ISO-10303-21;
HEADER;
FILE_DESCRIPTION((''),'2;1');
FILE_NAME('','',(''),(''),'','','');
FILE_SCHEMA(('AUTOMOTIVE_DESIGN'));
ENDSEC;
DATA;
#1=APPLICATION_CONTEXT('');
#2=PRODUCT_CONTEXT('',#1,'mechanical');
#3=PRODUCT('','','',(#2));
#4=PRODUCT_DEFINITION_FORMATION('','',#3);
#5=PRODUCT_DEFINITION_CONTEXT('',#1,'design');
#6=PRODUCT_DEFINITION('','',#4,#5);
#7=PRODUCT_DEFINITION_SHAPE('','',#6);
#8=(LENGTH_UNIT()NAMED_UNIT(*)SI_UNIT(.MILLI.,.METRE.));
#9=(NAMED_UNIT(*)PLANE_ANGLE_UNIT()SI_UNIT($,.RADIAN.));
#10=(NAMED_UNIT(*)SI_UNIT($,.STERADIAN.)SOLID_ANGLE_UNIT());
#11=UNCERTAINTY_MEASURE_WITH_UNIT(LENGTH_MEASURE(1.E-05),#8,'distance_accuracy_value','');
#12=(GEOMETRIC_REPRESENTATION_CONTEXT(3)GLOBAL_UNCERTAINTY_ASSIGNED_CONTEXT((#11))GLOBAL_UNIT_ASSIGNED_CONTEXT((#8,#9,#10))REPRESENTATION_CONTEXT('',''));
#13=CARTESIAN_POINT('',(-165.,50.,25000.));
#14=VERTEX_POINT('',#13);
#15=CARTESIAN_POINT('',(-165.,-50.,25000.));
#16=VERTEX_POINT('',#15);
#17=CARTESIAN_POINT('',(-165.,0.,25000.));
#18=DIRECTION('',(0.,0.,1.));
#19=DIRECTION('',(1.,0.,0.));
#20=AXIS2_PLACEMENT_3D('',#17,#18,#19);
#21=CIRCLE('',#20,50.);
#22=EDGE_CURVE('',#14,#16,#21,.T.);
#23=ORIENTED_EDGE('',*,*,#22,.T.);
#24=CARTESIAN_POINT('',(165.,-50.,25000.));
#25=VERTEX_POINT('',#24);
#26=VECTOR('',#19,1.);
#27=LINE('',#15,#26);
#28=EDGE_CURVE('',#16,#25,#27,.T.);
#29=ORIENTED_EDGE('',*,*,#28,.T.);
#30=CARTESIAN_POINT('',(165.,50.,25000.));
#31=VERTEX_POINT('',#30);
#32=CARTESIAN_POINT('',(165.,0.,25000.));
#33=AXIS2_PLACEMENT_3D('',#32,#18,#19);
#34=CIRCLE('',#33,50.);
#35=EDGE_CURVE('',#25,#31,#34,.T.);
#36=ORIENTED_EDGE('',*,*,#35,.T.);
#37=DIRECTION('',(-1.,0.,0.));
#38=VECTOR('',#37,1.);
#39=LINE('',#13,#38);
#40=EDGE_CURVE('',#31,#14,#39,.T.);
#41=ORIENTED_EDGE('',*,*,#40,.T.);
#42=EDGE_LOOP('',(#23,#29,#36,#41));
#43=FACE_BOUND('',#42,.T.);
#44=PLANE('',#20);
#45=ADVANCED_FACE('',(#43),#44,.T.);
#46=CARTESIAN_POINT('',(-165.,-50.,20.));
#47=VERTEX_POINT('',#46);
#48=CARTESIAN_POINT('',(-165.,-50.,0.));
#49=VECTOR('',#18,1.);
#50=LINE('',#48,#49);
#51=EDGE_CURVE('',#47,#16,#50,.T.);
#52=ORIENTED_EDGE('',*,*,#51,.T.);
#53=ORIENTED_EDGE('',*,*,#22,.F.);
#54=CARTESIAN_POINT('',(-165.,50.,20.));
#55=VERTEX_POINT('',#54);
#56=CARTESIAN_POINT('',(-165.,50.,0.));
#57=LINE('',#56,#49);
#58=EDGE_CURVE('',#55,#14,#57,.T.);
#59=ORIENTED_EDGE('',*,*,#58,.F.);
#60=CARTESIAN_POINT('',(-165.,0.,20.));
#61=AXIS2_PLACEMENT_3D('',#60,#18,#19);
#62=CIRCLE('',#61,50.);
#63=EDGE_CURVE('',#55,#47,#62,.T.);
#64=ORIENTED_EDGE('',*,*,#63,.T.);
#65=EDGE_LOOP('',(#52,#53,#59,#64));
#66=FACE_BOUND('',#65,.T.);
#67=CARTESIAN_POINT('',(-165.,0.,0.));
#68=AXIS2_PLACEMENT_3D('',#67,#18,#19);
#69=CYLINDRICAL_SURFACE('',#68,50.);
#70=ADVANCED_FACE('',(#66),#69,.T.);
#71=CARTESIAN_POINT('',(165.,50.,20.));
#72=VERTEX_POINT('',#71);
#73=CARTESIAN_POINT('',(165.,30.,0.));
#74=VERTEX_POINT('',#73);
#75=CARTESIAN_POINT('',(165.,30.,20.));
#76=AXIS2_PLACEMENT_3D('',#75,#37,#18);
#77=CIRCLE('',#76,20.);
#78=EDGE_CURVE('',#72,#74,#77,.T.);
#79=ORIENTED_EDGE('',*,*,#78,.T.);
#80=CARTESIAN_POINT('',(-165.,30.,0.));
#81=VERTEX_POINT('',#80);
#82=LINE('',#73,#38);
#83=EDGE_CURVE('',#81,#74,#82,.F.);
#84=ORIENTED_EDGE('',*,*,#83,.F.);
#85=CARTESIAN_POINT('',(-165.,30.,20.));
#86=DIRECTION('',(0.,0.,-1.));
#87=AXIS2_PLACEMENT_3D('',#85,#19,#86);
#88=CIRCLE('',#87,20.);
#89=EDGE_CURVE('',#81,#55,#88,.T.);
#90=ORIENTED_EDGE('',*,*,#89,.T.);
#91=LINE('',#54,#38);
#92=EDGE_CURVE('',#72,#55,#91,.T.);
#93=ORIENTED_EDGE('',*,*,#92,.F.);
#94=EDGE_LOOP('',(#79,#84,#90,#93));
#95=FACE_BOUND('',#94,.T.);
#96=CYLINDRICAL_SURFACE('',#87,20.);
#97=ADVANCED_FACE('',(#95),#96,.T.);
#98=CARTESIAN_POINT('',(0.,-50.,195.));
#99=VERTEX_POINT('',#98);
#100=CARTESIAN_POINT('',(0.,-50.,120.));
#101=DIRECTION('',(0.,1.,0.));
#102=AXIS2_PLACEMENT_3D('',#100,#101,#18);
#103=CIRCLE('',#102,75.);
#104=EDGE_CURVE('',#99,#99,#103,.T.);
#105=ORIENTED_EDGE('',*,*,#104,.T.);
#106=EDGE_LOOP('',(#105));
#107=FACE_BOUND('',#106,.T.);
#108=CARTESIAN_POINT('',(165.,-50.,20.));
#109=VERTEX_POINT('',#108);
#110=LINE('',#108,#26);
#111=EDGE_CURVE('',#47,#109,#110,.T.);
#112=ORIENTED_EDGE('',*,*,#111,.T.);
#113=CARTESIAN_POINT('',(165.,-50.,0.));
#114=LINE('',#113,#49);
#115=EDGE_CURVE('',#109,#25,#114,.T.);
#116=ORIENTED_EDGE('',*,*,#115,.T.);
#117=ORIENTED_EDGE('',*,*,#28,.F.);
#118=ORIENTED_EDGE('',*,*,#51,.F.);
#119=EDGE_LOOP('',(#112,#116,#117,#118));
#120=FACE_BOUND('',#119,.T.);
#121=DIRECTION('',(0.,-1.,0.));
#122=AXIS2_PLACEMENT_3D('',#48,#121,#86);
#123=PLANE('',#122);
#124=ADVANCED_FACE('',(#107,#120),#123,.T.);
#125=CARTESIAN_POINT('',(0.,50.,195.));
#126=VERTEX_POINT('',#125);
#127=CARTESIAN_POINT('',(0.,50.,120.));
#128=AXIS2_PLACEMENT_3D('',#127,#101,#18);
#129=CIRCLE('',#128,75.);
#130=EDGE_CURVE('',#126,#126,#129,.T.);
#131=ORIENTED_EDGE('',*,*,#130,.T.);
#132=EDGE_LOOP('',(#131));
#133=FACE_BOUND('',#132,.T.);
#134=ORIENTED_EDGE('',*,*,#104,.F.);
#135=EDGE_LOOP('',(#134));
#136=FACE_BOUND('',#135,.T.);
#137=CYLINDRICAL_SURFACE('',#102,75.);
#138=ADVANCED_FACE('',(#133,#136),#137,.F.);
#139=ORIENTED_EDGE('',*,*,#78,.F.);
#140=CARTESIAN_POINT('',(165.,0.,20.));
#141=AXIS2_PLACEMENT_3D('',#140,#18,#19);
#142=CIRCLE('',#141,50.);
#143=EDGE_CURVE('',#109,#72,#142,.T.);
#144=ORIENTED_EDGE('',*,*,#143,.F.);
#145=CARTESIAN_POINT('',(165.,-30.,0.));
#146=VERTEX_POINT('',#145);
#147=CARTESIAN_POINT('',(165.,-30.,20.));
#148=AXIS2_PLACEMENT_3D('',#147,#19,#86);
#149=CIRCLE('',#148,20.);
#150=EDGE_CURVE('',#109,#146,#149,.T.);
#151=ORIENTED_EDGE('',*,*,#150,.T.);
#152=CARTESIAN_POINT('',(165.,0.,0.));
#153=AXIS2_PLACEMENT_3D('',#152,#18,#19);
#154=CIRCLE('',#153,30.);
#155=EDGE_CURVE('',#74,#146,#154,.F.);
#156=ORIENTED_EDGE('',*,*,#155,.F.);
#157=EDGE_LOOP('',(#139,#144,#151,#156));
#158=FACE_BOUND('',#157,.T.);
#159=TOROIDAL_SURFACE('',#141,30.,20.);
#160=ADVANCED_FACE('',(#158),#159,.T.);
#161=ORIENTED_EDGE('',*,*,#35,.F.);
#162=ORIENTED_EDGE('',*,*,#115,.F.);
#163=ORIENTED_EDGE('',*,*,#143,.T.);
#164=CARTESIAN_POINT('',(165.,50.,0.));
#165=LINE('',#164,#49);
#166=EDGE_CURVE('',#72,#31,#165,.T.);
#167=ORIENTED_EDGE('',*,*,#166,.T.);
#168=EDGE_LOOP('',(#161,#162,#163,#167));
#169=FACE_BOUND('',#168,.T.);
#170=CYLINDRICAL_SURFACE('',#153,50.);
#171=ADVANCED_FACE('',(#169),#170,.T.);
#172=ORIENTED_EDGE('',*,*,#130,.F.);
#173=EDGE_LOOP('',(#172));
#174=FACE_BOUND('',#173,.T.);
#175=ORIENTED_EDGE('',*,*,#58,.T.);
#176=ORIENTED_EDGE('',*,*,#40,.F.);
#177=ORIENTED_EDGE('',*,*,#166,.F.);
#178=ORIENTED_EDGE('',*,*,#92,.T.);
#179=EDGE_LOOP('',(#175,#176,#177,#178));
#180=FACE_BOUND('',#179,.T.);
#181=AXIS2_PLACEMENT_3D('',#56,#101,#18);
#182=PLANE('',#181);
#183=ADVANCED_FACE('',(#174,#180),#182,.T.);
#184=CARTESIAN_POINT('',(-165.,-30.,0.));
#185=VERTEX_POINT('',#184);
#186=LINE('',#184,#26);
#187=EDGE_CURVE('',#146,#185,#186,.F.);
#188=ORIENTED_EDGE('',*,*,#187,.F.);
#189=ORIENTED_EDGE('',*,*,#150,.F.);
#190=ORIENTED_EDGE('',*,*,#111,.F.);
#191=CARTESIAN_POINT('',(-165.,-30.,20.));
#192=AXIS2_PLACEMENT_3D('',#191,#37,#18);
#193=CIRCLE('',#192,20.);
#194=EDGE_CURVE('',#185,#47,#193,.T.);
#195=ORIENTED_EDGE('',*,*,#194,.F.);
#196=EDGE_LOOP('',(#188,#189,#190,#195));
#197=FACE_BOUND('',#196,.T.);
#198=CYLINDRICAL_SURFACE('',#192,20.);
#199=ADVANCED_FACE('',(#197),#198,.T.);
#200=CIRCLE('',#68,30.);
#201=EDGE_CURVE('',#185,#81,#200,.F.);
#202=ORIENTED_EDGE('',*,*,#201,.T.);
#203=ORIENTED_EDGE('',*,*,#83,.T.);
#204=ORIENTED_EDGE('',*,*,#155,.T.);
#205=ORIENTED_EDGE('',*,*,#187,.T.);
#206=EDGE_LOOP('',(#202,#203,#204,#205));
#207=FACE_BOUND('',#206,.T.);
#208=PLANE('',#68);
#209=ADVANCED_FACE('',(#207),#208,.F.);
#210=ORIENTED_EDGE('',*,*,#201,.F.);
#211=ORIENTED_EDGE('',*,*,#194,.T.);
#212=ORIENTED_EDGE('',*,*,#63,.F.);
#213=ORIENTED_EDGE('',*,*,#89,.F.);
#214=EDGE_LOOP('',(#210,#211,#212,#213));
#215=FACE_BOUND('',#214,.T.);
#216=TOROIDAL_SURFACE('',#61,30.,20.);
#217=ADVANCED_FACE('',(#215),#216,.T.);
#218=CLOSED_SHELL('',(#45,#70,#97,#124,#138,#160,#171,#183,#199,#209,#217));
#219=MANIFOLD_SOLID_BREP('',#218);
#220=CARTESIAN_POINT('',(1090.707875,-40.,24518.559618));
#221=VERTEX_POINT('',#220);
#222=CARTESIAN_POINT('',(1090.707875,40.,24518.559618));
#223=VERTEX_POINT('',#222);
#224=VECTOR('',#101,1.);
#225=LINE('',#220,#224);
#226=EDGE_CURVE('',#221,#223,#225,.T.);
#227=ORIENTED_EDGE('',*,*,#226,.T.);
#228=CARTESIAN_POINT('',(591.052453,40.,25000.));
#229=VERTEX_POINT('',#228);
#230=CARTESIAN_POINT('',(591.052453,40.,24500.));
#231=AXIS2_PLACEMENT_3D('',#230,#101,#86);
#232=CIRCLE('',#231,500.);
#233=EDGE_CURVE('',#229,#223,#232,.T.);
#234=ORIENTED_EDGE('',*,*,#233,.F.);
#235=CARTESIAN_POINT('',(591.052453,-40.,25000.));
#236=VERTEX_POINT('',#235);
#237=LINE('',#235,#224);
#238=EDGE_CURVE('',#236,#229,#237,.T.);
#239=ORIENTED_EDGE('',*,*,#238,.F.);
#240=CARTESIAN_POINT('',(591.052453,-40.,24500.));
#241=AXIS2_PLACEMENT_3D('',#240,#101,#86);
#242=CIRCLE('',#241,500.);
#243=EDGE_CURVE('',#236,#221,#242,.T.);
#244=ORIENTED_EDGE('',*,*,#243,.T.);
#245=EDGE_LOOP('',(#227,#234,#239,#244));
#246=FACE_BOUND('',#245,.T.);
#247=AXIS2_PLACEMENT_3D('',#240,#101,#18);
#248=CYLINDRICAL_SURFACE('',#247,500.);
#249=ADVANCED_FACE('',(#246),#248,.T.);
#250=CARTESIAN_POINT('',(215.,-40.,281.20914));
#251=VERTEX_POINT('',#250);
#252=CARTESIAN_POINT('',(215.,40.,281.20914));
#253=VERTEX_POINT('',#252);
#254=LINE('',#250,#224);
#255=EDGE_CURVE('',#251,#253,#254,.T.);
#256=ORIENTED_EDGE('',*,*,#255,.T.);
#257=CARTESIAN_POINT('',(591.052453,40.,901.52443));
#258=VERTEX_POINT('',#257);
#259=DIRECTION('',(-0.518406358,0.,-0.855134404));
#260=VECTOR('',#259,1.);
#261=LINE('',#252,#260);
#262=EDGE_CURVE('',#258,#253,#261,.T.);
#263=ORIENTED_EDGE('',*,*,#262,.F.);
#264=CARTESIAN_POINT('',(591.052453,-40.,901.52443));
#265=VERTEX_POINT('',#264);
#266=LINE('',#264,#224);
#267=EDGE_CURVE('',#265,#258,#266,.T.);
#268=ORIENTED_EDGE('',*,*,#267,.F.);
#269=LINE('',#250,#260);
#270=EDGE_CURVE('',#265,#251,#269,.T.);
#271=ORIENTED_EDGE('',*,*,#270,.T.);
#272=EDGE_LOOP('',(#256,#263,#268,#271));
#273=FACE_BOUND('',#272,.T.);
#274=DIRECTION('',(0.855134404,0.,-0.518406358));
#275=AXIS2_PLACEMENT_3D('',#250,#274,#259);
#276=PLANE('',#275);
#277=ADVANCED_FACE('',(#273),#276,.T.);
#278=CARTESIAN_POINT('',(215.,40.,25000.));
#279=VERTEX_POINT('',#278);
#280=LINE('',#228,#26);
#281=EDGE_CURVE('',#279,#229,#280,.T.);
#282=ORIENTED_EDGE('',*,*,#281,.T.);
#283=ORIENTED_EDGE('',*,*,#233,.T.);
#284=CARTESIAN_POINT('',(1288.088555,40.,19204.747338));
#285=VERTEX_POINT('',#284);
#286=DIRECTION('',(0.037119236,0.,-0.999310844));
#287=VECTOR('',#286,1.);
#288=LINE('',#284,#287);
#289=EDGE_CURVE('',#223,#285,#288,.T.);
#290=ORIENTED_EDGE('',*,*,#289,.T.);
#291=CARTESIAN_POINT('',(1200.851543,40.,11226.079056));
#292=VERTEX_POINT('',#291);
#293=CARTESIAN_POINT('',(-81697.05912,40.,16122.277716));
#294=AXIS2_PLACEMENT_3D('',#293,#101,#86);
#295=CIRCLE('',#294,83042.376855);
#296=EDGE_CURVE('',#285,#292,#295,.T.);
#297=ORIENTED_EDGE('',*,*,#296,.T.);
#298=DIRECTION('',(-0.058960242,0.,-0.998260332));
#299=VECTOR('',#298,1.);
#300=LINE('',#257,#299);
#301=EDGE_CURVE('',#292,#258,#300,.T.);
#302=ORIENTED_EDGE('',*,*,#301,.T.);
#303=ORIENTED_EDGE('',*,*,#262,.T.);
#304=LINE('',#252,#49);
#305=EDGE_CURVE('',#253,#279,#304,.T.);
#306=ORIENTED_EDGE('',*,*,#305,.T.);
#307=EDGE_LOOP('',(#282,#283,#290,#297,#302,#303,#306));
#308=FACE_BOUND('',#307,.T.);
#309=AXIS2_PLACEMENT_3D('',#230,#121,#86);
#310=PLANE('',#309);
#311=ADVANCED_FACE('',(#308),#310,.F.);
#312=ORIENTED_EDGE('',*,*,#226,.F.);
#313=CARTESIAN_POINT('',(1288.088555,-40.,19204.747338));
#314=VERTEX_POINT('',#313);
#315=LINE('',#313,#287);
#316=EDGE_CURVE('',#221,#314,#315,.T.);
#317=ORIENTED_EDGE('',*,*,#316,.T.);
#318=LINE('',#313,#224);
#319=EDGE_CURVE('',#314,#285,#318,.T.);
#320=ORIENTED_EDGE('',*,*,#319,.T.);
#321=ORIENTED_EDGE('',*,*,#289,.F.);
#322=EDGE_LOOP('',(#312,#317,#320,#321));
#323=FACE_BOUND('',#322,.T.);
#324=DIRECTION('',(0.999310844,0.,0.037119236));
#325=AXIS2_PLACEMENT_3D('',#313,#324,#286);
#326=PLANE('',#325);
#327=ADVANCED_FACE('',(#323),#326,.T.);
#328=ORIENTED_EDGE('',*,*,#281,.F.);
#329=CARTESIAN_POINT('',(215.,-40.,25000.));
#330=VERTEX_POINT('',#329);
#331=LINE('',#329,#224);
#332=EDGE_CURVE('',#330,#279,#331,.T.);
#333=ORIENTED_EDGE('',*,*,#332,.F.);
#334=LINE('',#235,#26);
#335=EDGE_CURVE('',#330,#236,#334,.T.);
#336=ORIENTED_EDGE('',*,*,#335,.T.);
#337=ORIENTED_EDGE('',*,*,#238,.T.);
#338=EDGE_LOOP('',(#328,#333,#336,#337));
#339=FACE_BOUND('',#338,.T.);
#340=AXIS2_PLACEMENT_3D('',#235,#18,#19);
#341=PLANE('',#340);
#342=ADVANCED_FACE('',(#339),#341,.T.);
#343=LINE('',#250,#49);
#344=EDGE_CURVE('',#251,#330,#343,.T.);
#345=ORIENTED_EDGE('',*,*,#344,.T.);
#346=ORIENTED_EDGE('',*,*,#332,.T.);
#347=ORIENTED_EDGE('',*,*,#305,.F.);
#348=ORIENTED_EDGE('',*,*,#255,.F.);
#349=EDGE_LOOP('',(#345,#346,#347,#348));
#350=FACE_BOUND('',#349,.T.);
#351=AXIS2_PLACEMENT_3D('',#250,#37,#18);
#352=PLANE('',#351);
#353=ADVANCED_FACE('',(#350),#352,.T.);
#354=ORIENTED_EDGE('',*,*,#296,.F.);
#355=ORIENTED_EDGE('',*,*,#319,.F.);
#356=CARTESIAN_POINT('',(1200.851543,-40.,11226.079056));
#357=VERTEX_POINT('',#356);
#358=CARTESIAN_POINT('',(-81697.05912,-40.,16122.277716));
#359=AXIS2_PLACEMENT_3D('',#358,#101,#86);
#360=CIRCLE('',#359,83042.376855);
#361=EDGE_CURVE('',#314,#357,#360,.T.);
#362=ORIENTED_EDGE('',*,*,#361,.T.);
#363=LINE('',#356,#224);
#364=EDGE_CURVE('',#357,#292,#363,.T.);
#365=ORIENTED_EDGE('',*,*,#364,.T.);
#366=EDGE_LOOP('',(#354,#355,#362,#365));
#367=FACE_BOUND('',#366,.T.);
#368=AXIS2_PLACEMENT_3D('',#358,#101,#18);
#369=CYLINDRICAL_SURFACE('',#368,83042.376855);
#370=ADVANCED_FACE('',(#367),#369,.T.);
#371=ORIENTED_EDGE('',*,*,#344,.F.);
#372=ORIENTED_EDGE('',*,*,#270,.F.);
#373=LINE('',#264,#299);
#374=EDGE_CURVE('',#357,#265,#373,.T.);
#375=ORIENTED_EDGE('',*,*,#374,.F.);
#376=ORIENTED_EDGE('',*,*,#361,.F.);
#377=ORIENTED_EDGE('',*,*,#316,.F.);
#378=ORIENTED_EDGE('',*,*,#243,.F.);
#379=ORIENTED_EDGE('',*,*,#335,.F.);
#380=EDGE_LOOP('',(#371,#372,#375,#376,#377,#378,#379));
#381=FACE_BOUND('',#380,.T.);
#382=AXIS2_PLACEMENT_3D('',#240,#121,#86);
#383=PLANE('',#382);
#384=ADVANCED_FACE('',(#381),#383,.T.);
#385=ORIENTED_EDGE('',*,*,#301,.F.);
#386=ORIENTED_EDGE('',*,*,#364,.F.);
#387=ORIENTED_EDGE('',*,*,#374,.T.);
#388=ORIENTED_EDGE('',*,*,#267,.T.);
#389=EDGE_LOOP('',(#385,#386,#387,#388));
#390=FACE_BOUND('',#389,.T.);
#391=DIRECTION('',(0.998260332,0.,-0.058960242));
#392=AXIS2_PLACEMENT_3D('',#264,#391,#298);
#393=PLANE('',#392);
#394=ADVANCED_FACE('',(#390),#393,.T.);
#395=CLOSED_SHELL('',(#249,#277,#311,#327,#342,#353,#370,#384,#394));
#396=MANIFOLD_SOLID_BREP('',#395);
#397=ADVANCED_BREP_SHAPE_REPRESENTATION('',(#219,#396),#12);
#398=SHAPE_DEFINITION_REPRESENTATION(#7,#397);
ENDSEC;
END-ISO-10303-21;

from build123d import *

# Parameters (mm, degrees)
SKETCH4_R                = 75
CUT_EXTRUDE1_DEPTH       = 101
FILLET1_R                = 20
BOSS_EXTRUDE1_DEPTH      = 40
BOSS_EXTRUDE1_DEPTH_BACK = 40


with BuildPart() as part:
    # Sweep1: sweep along a path in Sketch2
    with BuildLine(Plane(origin=(0, 0, 0), x_dir=(1, 0, 0), z_dir=(0, 1, 0))) as sweep1_path:
        Line((0, 0), (0, -25000))
    # Sketch1 → Sweep1 (sweep)
    with BuildSketch(Plane.XY):
        with BuildLine():
            Line((-165, 50), (165, 50))
            ThreePointArc((165, 50), (215, 0), (165, -50))
            Line((165, -50), (-165, -50))
            ThreePointArc((-165, -50), (-215, 0), (-165, 50))
        make_face()
    sweep(path=sweep1_path.line)

    # Sketch4 → Cut-Extrude1 (cut, through all)
    with BuildSketch(Plane(origin=(0, 50, 0), x_dir=(1, 0, 0), z_dir=(0, 1, 0))):
        with Locations((0, -120)):
            Circle(SKETCH4_R)
    extrude(amount=-CUT_EXTRUDE1_DEPTH, mode=Mode.SUBTRACT)

    # Fillet1
    fillet1_edges = [part.edges().sort_by_distance(p)[0] for p in [
        (-215, 0, 0),
        (0, -50, 0),
        (215, 0, 0),
        (0, 50, 0),
    ]]
    fillet(fillet1_edges, radius=FILLET1_R)


with BuildPart() as body_2:
    # Sketch3 → Boss-Extrude1 (new body, two sides)
    with BuildSketch(Plane(origin=(0, 0, 0), x_dir=(1, 0, 0), z_dir=(0, 1, 0))) as boss_extrude1_sk:
        with BuildLine():
            Line((215, -281.209140276), (591.052452888, -901.524429756))
            Line((591.052452888, -901.524429756), (1200.851543386, -11226.079055967))
            ThreePointArc((1200.851543386, -11226.079055967), (1340.354422594, -15214.36481836), (1288.088555363, -19204.747338236))
            Line((1288.088555363, -19204.747338236), (1090.707874725, -24518.559618227))
            ThreePointArc((1090.707874725, -24518.559618227), (937.98197807, -24860.05541873), (591.052452888, -25000))
            Line((591.052452888, -25000), (215, -25000))
            Line((215, -25000), (215, -281.209140276))
        make_face()
    extrude(amount=BOSS_EXTRUDE1_DEPTH)
    extrude(boss_extrude1_sk.sketch, amount=-BOSS_EXTRUDE1_DEPTH_BACK)


solid = Compound([part.part, body_2.part])
